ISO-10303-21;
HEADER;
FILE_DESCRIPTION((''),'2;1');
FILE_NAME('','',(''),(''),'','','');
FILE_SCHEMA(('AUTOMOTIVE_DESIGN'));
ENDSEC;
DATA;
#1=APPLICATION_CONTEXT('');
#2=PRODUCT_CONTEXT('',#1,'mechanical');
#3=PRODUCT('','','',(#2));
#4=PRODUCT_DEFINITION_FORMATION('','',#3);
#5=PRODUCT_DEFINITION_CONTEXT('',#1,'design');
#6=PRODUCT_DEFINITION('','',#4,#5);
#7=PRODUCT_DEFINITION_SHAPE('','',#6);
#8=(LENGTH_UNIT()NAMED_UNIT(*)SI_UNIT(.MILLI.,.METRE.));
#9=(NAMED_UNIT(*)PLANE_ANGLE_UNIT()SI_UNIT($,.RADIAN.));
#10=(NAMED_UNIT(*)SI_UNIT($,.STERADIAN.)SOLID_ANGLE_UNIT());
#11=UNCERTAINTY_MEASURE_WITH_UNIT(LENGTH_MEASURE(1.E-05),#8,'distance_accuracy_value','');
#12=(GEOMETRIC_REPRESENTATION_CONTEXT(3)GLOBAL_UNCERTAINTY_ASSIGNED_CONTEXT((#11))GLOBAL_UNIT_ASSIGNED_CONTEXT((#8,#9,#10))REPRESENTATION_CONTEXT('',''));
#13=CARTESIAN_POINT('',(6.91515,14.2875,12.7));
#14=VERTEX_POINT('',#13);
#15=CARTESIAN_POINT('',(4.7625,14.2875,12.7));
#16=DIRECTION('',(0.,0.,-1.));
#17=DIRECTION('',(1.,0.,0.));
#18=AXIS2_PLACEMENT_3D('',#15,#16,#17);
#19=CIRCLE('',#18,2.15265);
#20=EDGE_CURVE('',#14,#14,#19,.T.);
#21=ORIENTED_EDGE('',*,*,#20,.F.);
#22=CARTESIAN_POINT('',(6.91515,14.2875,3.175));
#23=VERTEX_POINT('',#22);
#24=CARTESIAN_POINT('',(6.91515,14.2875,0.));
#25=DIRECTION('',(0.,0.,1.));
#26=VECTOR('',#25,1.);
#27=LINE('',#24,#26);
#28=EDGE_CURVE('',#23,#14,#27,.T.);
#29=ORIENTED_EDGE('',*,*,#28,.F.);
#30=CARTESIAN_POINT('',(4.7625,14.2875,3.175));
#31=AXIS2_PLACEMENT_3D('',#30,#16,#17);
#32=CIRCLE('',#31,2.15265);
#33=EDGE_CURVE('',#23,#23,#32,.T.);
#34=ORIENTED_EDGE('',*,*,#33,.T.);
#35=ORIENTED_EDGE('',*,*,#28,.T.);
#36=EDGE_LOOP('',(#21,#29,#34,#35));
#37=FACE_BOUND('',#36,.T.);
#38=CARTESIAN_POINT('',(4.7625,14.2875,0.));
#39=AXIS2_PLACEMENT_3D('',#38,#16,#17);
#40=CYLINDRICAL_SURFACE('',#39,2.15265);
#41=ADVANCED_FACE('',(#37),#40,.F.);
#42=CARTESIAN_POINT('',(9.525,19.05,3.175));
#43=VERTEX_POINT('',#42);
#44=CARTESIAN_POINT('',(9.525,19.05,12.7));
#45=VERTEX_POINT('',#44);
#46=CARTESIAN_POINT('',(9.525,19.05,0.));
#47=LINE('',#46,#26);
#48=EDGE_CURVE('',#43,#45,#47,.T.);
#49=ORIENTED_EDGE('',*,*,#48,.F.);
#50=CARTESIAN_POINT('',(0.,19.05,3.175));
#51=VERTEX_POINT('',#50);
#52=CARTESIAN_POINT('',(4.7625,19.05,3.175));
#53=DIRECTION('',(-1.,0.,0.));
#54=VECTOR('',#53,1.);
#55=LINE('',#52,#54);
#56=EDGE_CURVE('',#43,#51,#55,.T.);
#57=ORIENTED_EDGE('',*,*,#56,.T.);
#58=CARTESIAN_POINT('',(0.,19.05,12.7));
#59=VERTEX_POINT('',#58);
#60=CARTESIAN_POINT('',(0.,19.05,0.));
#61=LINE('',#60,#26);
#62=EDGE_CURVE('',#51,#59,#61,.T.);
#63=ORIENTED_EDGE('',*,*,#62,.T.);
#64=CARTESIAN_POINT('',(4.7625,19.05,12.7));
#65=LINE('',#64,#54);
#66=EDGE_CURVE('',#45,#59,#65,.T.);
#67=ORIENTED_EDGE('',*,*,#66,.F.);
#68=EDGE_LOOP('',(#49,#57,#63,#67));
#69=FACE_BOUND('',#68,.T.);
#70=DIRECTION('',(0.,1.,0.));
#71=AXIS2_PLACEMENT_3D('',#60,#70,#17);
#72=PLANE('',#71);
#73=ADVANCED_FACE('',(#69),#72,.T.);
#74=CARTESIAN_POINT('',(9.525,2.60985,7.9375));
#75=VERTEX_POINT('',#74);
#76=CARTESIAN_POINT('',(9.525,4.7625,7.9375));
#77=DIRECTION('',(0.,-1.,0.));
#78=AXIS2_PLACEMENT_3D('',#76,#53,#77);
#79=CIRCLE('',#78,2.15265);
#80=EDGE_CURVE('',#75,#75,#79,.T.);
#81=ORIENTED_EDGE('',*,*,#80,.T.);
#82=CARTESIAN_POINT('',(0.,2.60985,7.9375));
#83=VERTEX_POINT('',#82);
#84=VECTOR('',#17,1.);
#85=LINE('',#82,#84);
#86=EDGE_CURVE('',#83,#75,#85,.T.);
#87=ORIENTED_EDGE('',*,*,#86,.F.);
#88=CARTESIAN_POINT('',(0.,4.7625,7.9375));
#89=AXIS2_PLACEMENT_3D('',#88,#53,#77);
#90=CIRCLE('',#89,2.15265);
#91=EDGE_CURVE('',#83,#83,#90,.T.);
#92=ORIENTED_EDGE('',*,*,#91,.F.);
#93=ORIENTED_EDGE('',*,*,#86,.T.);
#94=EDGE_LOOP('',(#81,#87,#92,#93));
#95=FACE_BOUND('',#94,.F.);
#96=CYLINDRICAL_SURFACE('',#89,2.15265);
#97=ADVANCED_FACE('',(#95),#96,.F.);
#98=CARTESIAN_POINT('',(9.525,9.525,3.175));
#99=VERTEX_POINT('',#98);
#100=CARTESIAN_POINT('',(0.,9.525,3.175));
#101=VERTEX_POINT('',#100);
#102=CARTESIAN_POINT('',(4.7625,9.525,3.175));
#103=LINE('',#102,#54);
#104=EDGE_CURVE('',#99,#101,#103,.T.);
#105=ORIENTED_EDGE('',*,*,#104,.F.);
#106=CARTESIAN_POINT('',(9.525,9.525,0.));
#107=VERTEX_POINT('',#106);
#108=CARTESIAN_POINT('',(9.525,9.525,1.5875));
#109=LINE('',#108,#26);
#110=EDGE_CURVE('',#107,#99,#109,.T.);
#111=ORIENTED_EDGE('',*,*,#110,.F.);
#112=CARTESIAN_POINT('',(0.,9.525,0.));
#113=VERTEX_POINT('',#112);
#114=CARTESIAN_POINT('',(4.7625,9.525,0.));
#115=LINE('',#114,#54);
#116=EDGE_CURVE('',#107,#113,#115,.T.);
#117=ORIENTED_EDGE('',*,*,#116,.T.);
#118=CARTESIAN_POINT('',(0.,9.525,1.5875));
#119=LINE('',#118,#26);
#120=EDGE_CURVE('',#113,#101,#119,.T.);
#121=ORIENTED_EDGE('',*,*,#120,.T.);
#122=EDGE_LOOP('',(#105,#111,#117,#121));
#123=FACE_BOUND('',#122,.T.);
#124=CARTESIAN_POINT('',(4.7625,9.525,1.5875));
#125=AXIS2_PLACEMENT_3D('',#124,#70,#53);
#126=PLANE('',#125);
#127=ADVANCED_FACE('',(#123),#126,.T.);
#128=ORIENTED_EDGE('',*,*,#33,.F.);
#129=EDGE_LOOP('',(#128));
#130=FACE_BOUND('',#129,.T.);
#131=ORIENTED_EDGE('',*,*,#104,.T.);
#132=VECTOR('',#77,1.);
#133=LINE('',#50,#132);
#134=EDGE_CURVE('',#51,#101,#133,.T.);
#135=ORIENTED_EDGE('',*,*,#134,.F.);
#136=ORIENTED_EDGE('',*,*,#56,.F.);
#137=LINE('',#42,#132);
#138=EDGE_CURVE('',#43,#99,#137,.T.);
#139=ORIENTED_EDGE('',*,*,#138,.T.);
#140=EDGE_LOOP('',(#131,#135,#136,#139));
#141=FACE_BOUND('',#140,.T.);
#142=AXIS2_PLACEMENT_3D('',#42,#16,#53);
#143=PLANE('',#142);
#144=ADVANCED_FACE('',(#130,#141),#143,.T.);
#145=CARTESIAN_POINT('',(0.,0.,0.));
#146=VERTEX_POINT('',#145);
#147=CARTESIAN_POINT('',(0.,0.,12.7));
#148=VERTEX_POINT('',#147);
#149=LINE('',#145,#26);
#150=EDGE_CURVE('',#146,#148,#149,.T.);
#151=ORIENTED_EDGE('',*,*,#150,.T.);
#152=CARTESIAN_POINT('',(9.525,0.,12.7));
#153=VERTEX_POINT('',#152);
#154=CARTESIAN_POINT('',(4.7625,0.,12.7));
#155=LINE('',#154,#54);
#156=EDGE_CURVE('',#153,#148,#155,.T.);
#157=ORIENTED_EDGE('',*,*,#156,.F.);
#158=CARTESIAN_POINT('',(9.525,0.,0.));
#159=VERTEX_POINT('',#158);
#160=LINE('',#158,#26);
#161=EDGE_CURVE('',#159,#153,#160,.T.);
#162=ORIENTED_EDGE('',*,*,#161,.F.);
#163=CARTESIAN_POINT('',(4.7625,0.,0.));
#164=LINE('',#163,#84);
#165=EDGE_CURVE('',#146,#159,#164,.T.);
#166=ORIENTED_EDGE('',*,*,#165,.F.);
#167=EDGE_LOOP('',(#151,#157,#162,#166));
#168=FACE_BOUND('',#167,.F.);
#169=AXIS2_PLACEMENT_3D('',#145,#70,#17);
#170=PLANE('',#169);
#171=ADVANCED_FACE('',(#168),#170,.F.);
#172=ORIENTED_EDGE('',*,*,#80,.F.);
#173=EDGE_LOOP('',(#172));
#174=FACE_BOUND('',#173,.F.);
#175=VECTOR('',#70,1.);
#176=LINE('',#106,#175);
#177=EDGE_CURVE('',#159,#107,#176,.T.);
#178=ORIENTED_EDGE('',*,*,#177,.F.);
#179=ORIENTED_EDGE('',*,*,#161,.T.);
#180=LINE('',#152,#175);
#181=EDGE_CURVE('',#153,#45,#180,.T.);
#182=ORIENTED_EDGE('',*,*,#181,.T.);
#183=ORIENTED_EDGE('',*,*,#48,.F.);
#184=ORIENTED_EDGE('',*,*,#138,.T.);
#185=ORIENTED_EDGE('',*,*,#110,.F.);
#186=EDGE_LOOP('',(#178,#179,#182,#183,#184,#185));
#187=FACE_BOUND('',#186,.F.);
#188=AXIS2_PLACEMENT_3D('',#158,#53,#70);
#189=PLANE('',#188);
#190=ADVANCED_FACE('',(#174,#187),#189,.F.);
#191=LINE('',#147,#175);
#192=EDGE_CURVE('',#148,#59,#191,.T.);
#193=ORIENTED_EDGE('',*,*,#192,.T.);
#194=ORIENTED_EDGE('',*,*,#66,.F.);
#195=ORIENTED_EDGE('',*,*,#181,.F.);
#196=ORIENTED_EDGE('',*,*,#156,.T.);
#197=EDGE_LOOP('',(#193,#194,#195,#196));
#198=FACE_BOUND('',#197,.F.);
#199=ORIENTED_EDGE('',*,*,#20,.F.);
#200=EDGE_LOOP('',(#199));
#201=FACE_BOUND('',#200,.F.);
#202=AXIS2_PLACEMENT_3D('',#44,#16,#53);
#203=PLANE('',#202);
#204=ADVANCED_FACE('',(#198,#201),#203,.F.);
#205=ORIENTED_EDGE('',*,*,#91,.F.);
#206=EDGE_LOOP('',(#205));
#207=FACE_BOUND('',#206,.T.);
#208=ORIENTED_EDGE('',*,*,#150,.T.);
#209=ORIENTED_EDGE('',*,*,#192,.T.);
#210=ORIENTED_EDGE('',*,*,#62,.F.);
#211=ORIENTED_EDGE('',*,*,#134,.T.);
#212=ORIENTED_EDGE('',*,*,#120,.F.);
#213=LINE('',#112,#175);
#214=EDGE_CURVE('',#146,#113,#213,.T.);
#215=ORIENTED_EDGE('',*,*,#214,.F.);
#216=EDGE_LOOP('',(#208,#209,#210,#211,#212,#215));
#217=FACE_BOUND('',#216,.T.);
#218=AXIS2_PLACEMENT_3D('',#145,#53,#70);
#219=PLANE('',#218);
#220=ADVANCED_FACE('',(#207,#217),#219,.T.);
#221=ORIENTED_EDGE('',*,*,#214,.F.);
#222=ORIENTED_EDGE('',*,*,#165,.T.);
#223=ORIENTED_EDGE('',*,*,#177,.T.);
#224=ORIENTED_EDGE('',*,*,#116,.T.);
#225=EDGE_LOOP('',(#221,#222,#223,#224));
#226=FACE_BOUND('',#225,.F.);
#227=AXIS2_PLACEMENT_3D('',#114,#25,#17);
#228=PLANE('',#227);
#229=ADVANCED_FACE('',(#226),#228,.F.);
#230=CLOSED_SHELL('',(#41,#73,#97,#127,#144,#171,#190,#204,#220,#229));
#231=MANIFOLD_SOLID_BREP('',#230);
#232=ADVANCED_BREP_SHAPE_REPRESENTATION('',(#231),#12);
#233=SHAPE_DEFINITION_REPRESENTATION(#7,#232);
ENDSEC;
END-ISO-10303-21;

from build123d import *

# Parameters (mm, degrees)
F0_W      = 9.525
F0_H      = 19.05
F0_R      = 2.15265
F1_DEPTH  = 15.875
F2_W      = 9.525
F2_H      = 3.175
F3_DEPTH  = 9.525
F4_R      = 2.15265
F5_DEPTH  = 9.525
F3_FACE_W = 9.525
F3_FACE_H = 3.175
F6_DEPTH  = 9.525


with BuildPart() as f1:
    # F0 (on Top) → F1 (new body)
    with BuildSketch(Plane.XY):
        with Locations((4.7625, 9.525)):
            Rectangle(F0_W, F0_H)
        with Locations((4.7625, 14.2875)):
            Circle(F0_R, mode=Mode.SUBTRACT)
    extrude(amount=F1_DEPTH)

    # F2 (on face) → F3 (cut)
    with BuildSketch(Plane(origin=(0, 19.05, 0), x_dir=(-1, 0, 0), z_dir=(0, 1, 0))):
        with Locations((-4.7625, 1.5875)):
            Rectangle(F2_W, F2_H)
        with Locations((-4.7625, 14.2875)):
            Rectangle(F2_W, F2_H)
    extrude(amount=-F3_DEPTH, mode=Mode.SUBTRACT)

    # F4 (on face) → F5 (cut, through all)
    with BuildSketch(Plane(origin=(0, 0, 0), x_dir=(0, -1, 0), z_dir=(-1, 0, 0))):
        with Locations((-4.7625, 7.9375)):
            Circle(F4_R)
    extrude(amount=-F5_DEPTH, mode=Mode.SUBTRACT)

    # F3_face (on face) → F6 (cut, through all)
    with BuildSketch(Plane(origin=(4.7625, 9.525, 14.2875), x_dir=(-1, 0, 0), z_dir=(0, 1, 0))):
        Rectangle(F3_FACE_W, F3_FACE_H)
    extrude(amount=-F6_DEPTH, mode=Mode.SUBTRACT)


solid = f1.part
